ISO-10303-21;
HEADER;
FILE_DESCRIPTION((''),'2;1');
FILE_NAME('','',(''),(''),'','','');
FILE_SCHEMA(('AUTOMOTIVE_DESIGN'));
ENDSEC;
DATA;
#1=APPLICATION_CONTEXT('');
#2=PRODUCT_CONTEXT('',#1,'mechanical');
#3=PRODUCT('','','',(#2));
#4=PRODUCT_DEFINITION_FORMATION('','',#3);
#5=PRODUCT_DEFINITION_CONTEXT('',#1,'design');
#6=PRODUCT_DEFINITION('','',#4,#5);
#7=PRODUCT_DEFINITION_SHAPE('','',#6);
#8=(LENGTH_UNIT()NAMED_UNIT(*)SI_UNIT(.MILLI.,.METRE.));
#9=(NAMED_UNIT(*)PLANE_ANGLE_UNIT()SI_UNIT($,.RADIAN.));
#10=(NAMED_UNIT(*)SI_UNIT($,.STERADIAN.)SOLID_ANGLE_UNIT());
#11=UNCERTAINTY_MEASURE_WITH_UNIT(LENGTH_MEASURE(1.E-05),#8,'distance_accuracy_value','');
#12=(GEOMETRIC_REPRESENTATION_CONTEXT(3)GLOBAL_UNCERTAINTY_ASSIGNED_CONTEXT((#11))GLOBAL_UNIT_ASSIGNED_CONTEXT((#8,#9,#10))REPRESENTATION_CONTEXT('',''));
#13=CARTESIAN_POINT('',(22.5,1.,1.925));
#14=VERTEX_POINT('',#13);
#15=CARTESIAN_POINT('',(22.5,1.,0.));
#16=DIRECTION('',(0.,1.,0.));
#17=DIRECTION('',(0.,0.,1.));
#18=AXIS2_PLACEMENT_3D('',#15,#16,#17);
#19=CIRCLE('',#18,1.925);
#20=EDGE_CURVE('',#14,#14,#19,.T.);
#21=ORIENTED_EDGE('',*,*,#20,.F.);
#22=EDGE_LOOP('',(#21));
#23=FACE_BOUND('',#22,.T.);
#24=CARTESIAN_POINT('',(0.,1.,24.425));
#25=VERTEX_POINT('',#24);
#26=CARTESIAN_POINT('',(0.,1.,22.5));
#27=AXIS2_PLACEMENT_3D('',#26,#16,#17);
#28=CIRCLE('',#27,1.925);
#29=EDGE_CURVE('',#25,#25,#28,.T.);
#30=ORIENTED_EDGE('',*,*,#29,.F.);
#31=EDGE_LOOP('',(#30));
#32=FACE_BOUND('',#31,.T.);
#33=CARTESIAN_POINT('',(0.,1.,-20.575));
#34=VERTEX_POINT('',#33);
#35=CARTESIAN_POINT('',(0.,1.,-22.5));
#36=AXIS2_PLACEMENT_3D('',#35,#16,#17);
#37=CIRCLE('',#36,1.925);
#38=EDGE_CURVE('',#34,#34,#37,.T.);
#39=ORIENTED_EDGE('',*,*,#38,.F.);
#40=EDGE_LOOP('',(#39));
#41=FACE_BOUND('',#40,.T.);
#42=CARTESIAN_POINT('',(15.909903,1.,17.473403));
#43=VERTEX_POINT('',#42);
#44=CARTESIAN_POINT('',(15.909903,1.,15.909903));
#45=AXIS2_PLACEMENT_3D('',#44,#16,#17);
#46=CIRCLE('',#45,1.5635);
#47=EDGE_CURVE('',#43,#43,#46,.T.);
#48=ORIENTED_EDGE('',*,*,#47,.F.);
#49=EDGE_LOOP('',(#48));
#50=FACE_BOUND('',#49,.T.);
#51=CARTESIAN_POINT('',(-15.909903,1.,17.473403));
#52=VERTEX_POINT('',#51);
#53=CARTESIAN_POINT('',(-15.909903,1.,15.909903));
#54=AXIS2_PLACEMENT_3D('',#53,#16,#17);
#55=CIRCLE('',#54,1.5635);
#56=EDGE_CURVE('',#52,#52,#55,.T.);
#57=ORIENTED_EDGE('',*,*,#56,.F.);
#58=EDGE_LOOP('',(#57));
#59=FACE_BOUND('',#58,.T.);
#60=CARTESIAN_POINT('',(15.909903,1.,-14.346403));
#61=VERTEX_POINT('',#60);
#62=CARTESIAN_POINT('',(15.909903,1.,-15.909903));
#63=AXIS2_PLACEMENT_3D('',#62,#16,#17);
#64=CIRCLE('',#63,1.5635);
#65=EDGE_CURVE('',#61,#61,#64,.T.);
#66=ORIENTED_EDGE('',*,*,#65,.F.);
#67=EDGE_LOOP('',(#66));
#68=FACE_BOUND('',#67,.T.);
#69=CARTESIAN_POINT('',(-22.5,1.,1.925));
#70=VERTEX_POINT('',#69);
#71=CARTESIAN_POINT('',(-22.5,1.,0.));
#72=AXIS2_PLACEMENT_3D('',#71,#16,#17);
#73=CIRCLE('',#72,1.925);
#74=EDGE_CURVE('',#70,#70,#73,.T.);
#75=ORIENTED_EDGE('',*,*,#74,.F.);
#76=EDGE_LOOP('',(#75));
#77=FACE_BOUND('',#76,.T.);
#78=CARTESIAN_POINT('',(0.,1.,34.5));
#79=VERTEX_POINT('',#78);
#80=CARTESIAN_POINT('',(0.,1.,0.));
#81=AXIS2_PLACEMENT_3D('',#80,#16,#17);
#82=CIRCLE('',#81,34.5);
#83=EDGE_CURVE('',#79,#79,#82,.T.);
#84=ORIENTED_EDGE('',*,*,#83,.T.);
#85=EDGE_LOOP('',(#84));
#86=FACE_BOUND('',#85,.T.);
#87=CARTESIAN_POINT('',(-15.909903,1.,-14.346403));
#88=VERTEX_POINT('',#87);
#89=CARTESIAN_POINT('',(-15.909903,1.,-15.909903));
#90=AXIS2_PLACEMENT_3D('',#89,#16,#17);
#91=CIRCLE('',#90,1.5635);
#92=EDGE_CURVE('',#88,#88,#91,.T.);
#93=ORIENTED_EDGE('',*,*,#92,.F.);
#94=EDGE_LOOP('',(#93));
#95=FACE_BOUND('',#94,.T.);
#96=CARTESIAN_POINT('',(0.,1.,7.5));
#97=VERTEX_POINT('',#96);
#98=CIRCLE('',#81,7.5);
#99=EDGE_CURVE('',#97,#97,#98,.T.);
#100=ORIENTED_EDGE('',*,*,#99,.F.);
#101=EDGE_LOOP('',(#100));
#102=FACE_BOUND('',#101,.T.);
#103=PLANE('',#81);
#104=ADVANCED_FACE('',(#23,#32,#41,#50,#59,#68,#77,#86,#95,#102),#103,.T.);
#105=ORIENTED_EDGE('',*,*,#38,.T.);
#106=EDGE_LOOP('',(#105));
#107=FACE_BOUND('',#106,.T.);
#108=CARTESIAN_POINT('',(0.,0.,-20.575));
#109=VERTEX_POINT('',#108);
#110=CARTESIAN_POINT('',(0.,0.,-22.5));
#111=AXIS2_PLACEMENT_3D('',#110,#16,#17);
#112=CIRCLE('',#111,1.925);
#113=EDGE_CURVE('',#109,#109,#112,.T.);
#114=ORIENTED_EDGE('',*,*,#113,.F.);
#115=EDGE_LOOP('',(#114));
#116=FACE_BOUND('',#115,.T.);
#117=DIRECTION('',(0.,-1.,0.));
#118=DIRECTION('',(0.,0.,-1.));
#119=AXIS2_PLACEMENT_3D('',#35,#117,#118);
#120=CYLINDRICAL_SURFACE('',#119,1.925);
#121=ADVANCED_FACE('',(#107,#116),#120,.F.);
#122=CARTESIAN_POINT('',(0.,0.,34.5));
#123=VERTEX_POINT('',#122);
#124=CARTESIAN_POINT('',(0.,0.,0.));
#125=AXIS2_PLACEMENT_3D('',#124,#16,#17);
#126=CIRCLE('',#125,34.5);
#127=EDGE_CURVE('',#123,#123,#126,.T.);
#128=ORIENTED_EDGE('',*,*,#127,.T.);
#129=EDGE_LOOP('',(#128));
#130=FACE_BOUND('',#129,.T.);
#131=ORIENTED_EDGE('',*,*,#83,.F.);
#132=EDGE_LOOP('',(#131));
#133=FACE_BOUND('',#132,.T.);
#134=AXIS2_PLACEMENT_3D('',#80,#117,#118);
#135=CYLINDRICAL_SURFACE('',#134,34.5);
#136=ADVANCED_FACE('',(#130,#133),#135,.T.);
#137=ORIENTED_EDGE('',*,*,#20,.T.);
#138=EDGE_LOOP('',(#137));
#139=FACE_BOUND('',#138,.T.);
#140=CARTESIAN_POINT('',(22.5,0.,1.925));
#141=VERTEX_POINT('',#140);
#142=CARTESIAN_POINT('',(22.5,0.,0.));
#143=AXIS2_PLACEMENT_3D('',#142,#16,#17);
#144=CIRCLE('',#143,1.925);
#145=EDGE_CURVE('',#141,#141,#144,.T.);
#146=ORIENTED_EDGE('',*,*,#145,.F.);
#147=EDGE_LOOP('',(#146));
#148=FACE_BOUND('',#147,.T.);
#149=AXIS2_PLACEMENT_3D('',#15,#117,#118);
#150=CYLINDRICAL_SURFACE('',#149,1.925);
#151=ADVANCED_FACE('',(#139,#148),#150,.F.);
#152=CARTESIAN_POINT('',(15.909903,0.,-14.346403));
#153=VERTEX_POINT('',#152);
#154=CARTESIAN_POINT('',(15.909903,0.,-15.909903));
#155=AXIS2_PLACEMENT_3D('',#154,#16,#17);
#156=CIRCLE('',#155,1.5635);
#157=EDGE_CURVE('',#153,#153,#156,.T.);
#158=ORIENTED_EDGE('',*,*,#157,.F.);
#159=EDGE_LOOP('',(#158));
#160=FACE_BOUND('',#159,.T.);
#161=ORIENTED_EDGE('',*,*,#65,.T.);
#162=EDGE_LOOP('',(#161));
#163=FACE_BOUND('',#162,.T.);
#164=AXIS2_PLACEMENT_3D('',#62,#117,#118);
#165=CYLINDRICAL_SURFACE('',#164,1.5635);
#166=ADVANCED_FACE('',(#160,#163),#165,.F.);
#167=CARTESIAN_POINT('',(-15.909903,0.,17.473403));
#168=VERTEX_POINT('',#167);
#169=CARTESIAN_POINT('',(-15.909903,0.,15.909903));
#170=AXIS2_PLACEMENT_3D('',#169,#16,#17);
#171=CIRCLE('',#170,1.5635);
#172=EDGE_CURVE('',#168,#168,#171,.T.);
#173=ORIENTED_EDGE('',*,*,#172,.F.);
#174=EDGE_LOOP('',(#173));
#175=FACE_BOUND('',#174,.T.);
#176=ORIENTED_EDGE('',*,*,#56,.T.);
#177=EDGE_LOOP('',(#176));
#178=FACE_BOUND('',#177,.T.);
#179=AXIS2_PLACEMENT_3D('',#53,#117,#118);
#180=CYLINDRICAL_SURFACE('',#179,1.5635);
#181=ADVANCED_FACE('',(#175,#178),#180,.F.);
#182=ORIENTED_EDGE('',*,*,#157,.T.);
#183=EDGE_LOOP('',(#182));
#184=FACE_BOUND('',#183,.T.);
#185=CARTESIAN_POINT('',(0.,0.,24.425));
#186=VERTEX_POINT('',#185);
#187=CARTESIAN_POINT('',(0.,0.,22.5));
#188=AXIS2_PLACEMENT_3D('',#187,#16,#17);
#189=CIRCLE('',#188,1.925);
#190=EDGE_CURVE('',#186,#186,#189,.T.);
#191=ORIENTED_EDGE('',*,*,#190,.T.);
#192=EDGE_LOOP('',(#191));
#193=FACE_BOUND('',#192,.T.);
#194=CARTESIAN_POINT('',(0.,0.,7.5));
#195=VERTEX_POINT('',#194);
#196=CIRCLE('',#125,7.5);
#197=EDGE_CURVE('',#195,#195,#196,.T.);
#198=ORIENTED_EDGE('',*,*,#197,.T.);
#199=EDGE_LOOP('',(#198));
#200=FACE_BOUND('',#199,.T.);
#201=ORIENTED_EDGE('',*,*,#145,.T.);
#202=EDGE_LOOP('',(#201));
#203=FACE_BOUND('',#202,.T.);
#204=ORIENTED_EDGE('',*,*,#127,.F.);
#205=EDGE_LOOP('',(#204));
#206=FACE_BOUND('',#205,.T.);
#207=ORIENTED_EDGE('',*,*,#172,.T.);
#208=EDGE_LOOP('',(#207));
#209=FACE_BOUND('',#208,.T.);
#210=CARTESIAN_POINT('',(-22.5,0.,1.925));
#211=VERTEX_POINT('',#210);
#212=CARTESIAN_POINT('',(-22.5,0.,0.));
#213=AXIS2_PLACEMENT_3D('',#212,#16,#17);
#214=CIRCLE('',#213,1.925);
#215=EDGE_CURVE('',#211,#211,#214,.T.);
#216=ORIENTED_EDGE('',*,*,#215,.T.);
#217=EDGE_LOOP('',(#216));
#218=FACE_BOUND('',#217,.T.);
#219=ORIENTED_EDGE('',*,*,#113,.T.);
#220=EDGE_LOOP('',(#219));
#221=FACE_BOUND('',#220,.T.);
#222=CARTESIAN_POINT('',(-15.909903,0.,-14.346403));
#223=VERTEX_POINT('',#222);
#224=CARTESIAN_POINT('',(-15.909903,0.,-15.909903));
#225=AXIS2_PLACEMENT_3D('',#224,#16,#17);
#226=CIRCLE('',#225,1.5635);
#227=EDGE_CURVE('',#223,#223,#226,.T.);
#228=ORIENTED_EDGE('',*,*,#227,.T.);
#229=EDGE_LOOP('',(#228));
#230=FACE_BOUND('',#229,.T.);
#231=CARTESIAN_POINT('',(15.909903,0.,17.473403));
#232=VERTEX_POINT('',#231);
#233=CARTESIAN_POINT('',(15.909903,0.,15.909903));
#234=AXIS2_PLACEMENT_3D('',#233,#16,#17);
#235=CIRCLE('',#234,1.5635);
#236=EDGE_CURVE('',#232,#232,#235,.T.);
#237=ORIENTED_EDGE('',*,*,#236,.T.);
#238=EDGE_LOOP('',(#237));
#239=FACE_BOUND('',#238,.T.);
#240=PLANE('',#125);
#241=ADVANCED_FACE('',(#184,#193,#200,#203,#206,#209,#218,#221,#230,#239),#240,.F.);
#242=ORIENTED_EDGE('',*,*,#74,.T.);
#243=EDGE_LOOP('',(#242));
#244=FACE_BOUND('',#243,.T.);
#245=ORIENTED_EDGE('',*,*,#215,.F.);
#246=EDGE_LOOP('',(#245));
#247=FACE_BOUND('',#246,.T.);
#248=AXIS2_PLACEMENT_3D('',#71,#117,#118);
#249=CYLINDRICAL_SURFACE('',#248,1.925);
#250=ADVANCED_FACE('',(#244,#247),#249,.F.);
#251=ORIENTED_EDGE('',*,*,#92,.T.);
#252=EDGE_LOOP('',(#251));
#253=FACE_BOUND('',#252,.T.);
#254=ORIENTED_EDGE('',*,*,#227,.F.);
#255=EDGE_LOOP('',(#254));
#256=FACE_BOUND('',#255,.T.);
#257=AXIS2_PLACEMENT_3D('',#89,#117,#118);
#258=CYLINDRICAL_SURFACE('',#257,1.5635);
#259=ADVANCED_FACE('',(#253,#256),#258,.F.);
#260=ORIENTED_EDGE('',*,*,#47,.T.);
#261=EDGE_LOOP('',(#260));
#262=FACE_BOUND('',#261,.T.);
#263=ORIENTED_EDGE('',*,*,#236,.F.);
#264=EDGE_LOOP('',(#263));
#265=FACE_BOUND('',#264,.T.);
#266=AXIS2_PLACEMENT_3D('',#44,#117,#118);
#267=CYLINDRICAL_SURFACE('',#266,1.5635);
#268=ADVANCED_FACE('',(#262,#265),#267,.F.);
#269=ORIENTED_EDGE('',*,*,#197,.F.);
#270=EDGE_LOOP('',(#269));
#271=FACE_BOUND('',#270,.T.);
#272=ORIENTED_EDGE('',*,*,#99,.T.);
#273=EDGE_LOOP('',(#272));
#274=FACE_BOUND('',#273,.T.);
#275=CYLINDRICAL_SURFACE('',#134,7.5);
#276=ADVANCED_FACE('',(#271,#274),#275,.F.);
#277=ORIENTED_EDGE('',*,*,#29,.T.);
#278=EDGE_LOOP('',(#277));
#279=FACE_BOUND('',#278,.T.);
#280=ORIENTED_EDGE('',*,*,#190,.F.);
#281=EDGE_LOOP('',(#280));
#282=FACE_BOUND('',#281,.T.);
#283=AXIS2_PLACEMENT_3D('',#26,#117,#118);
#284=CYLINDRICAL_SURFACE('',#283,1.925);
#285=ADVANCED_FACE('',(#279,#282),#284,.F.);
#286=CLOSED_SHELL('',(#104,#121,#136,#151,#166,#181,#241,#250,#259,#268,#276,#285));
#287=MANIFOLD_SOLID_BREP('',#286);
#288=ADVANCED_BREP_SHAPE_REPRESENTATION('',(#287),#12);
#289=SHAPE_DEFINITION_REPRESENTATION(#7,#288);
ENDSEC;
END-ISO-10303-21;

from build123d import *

# Parameters (mm, degrees)
SKETCH1_R           = 34.5
SKETCH1_R_2         = 7.5
SKETCH1_R_3         = 1.5635
SKETCH1_R_4         = 1.925
BOSS_EXTRUDE1_DEPTH = 1


with BuildPart() as part:
    # Sketch1 → Boss-Extrude1 (new body)
    with BuildSketch(Plane(origin=(0, 0, 0), x_dir=(1, 0, 0), z_dir=(0, 1, 0))):
        with Locations(Location((0, 0, 0), (0, 0, 270))):
            Circle(SKETCH1_R)
        with Locations(Location((0, 0, 0), (0, 0, 270))):
            Circle(SKETCH1_R_2, mode=Mode.SUBTRACT)
        with Locations(Location((15.909902577, -15.909902577, 0), (0, 0, 270))):
            Circle(SKETCH1_R_3, mode=Mode.SUBTRACT)
        with Locations(Location((-15.909902577, -15.909902577, 0), (0, 0, 270))):
            Circle(SKETCH1_R_3, mode=Mode.SUBTRACT)
        with Locations(Location((-15.909902577, 15.909902577, 0), (0, 0, 270))):
            Circle(SKETCH1_R_3, mode=Mode.SUBTRACT)
        with Locations(Location((15.909902577, 15.909902577, 0), (0, 0, 270))):
            Circle(SKETCH1_R_3, mode=Mode.SUBTRACT)
        with Locations(Location((22.5, 0, 0), (0, 0, 270))):
            Circle(SKETCH1_R_4, mode=Mode.SUBTRACT)
        with Locations(Location((0, -22.5, 0), (0, 0, 270))):
            Circle(SKETCH1_R_4, mode=Mode.SUBTRACT)
        with Locations(Location((-22.5, 0, 0), (0, 0, 270))):
            Circle(SKETCH1_R_4, mode=Mode.SUBTRACT)
        with Locations(Location((0, 22.5, 0), (0, 0, 270))):
            Circle(SKETCH1_R_4, mode=Mode.SUBTRACT)
    extrude(amount=BOSS_EXTRUDE1_DEPTH)


solid = part.part
